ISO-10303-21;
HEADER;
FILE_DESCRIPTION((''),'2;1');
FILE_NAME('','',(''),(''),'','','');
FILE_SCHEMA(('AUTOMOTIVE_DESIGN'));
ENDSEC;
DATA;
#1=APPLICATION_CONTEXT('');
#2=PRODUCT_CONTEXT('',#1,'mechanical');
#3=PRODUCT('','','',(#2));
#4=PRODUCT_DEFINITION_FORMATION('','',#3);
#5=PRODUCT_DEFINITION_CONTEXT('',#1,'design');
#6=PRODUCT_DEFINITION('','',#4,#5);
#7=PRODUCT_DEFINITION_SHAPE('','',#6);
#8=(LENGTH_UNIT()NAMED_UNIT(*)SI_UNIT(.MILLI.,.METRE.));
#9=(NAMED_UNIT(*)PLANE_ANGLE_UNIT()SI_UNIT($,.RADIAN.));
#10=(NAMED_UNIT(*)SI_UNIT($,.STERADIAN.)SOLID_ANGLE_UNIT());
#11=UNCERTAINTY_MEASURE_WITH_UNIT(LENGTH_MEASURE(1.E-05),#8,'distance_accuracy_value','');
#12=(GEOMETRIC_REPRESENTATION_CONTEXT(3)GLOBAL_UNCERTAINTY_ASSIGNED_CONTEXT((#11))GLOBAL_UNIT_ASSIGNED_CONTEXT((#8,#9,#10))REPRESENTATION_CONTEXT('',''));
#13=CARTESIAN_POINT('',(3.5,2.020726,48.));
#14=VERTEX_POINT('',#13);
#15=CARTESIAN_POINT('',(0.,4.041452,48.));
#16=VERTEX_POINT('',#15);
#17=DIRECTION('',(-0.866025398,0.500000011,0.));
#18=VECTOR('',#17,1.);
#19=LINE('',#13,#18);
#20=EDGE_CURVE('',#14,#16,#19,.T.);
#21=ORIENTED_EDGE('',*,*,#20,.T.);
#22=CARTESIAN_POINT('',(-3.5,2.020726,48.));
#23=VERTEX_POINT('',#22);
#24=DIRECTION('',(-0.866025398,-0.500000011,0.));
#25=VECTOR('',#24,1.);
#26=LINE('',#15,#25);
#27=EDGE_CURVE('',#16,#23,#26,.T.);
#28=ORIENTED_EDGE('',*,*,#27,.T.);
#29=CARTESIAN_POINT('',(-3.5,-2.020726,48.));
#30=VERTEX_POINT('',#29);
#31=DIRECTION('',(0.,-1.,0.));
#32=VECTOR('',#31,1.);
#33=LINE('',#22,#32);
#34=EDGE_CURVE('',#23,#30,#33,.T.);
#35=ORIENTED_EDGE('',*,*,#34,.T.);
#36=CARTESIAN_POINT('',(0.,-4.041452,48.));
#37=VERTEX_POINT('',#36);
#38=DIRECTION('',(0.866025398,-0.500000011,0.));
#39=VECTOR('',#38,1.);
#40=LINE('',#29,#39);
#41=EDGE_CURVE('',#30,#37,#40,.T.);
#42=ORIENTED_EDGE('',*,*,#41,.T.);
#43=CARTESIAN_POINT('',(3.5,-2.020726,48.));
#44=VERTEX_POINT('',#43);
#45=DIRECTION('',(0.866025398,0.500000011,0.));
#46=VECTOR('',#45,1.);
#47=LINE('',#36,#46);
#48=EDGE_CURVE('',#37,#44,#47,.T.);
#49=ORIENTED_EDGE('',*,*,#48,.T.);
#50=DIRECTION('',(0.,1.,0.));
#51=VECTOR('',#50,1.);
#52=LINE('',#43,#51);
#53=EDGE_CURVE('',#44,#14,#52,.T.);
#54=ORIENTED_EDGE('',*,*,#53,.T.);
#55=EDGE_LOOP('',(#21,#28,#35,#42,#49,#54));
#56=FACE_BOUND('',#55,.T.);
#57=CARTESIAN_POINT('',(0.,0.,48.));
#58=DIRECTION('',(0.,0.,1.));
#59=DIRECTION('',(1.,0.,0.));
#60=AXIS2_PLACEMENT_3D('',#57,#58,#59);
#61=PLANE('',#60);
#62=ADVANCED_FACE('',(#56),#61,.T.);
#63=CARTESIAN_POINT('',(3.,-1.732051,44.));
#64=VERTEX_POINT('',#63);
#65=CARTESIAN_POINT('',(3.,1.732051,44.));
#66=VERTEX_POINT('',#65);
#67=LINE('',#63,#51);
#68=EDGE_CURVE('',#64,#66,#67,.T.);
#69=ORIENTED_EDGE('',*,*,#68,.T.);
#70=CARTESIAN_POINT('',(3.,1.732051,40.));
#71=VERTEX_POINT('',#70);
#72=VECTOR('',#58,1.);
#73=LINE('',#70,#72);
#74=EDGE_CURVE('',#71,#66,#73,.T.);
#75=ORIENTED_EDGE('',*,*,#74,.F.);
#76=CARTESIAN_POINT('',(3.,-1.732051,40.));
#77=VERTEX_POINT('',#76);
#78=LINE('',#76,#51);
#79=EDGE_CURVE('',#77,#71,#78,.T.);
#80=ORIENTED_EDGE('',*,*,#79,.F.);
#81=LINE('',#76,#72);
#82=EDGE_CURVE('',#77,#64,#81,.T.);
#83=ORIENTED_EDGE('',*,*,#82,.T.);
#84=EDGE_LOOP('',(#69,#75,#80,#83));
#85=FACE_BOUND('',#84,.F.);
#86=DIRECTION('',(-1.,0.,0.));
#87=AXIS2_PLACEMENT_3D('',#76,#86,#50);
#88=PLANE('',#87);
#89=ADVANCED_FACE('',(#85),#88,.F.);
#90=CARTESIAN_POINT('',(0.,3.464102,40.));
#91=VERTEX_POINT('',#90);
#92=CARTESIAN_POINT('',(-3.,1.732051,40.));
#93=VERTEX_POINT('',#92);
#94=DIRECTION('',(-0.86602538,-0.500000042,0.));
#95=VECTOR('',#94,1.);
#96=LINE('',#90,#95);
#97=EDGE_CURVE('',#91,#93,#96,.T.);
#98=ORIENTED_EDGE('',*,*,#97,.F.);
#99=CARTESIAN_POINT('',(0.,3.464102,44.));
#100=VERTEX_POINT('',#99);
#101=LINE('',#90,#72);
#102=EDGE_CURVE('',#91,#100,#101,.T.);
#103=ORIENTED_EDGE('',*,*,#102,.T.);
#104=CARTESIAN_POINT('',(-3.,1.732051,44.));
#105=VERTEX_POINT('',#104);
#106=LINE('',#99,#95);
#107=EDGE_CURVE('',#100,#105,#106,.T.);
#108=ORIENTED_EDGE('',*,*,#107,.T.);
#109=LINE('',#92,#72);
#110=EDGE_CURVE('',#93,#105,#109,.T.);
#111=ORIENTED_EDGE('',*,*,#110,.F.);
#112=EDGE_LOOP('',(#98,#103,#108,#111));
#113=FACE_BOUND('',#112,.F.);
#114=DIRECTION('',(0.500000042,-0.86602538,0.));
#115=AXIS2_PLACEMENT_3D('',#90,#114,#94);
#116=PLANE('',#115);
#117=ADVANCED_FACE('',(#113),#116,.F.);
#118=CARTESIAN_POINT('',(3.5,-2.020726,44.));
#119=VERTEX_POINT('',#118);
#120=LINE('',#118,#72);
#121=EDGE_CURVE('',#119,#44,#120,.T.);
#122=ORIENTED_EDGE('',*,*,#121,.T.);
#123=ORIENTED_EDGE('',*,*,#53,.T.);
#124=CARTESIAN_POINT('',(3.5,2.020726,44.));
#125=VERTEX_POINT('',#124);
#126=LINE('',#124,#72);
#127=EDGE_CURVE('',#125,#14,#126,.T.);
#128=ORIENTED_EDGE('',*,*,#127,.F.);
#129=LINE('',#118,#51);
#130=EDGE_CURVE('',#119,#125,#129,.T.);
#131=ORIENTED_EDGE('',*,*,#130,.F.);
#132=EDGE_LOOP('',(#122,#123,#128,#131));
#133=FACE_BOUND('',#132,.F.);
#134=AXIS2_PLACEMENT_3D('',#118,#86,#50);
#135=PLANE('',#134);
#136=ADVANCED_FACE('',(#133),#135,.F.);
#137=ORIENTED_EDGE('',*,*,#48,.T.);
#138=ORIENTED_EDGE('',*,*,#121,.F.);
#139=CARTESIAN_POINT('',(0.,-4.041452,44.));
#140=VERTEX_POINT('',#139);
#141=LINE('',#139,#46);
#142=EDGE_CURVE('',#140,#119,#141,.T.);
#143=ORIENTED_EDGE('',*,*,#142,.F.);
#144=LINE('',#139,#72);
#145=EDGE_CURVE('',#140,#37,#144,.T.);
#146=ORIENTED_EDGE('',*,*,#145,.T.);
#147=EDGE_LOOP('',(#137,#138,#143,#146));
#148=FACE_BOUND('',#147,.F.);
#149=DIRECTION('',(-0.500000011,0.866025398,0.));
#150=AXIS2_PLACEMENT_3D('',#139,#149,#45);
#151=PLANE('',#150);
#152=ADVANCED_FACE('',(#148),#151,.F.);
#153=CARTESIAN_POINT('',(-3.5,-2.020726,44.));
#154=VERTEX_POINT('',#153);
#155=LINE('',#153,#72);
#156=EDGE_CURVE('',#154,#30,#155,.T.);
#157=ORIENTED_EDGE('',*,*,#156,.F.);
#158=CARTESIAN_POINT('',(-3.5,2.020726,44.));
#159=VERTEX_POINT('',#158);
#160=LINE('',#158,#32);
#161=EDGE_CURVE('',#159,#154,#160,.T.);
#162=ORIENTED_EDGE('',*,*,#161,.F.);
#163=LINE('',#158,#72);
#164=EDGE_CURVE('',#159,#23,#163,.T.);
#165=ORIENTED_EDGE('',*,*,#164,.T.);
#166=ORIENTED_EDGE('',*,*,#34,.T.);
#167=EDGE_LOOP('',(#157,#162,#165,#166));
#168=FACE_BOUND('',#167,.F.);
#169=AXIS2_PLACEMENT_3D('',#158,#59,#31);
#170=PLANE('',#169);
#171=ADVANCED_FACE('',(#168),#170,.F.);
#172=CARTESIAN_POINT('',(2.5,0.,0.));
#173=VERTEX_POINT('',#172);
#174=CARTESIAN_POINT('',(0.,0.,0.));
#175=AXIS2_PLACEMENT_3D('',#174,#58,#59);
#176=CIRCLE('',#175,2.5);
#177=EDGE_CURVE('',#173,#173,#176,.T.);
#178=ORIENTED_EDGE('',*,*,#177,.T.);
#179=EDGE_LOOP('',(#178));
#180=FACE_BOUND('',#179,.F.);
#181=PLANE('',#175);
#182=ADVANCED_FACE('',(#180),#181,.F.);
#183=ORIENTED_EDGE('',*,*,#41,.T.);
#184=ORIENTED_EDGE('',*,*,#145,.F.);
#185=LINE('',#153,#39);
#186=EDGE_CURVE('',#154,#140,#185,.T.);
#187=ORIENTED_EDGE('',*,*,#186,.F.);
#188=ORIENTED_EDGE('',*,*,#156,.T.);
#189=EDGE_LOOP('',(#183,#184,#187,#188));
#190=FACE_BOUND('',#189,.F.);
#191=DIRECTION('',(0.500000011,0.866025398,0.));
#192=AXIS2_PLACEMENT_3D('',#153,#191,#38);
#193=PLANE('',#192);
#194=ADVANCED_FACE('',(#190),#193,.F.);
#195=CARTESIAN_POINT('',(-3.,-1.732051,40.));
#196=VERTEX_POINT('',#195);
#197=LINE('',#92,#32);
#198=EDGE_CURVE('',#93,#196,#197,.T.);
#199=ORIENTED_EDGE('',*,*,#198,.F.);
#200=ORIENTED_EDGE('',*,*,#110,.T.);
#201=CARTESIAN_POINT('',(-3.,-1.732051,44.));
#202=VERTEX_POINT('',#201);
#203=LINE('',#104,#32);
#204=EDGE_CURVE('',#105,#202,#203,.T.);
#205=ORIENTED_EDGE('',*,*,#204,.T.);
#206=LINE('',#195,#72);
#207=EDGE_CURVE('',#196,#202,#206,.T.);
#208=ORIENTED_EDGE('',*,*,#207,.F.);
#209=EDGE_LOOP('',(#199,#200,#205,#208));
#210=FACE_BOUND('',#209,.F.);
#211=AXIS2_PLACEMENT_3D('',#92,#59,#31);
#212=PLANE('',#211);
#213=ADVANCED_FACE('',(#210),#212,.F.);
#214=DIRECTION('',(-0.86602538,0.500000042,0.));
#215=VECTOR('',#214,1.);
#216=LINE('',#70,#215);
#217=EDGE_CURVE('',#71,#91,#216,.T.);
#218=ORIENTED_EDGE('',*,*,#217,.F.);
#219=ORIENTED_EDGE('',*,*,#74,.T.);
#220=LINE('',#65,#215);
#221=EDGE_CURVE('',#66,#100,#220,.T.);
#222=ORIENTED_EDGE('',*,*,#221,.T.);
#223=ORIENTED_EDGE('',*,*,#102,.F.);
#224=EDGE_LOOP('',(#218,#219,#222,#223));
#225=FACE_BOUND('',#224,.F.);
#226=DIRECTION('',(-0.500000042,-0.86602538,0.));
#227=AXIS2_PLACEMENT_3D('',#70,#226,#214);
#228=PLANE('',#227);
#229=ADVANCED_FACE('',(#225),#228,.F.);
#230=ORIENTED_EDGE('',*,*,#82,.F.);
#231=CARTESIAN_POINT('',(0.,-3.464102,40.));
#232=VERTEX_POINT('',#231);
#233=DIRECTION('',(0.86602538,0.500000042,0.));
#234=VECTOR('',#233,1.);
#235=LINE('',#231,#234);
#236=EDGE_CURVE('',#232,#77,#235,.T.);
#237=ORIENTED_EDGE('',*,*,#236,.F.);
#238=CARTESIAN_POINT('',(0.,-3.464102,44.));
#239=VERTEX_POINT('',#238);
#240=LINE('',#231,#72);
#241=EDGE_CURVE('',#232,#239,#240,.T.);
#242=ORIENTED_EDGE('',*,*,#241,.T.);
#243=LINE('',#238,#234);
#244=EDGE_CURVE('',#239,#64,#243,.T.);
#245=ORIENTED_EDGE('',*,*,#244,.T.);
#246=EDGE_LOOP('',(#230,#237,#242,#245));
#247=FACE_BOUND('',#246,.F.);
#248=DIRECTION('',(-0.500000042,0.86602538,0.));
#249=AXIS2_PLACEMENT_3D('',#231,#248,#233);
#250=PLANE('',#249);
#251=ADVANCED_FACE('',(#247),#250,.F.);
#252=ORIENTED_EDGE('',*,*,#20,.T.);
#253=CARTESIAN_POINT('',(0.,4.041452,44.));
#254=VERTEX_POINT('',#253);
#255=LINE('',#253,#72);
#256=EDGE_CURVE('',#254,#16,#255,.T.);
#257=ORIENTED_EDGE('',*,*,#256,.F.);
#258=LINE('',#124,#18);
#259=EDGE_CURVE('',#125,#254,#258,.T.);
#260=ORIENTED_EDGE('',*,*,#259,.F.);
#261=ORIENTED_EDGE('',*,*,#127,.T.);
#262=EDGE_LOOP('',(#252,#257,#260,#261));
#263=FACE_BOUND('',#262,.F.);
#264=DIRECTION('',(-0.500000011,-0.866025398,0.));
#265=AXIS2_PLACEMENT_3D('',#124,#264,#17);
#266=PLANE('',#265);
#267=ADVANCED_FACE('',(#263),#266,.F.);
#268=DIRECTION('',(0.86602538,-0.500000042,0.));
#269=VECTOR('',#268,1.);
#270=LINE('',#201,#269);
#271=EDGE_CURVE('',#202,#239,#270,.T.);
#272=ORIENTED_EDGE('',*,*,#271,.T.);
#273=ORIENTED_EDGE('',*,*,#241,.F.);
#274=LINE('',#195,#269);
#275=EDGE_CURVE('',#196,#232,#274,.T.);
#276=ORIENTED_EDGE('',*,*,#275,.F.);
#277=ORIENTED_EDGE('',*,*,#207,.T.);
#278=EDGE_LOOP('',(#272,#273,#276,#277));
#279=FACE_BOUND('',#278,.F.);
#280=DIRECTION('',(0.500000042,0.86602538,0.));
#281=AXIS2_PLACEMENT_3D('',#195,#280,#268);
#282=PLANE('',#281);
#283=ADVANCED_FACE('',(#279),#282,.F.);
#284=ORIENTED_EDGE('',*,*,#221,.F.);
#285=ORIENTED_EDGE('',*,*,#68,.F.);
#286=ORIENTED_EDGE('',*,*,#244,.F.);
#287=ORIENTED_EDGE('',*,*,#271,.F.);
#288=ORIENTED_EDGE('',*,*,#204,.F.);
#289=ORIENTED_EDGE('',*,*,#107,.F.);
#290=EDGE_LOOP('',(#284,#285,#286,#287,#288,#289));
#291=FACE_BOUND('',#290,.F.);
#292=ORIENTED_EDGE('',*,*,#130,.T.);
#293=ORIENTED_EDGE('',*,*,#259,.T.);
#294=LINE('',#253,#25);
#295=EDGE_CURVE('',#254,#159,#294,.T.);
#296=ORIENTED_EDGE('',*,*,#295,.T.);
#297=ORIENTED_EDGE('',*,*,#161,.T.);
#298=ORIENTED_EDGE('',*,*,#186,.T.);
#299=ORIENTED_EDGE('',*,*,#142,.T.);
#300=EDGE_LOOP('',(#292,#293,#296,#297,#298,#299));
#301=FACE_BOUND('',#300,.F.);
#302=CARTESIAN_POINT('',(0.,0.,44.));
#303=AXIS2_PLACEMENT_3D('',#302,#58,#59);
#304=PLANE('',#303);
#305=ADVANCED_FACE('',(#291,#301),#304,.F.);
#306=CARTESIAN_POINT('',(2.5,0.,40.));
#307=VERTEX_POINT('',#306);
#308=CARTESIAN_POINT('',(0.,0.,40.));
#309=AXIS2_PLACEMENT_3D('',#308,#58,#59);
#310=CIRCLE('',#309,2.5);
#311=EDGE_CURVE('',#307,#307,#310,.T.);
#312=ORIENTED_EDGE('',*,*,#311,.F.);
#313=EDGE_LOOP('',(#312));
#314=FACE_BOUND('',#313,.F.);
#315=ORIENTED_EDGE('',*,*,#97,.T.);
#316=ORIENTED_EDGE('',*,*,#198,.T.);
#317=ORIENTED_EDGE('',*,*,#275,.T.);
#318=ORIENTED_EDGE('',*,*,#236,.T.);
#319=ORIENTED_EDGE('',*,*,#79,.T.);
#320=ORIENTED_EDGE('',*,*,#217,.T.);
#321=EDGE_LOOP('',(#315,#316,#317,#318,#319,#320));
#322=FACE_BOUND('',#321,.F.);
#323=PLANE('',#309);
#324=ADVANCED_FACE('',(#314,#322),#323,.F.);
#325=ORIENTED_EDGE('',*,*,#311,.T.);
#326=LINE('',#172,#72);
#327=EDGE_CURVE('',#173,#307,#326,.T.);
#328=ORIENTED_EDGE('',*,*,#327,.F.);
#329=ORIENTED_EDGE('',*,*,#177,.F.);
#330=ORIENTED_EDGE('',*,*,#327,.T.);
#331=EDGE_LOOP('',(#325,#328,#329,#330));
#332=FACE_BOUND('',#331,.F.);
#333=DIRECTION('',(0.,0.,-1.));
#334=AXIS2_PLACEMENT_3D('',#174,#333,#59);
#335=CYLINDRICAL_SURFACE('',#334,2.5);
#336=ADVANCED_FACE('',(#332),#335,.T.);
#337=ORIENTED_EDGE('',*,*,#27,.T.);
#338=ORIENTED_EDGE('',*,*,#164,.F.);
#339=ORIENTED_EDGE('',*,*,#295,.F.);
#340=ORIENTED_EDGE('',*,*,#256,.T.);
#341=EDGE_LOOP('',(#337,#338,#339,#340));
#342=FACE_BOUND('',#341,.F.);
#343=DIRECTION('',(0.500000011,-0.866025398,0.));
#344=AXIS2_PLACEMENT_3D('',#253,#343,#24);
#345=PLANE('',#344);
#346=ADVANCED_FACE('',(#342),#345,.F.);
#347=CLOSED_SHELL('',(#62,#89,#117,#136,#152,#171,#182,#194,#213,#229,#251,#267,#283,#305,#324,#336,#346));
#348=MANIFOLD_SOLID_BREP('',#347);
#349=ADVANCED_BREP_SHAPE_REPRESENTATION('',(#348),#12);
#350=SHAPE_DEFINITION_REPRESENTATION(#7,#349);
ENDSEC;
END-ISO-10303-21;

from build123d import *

# Parameters (mm, degrees)
F0_R     = 2.5
F1_DEPTH = 40
F3_DEPTH = 4
F5_DEPTH = 4


with BuildPart() as f1:
    # F0 (on Top) → F1 (new body)
    with BuildSketch(Plane.XY):
        Circle(F0_R)
    extrude(amount=F1_DEPTH)

    # F2 (on face) → F3 (join)
    with BuildSketch(Plane.XY.offset(40)):
        Polygon((3, -1.732051), (3, 1.732051), (0, 3.464102), (-3, 1.732051), (-3, -1.732051), (0, -3.464102), align=None)
    extrude(amount=F3_DEPTH)

    # F4 (on face) → F5 (join)
    with BuildSketch(Plane.XY.offset(44)):
        Polygon((3.5, -2.020726), (3.5, 2.020726), (0, 4.041452), (-3.5, 2.020726), (-3.5, -2.020726), (0, -4.041452), align=None)
    extrude(amount=F5_DEPTH)


solid = f1.part
